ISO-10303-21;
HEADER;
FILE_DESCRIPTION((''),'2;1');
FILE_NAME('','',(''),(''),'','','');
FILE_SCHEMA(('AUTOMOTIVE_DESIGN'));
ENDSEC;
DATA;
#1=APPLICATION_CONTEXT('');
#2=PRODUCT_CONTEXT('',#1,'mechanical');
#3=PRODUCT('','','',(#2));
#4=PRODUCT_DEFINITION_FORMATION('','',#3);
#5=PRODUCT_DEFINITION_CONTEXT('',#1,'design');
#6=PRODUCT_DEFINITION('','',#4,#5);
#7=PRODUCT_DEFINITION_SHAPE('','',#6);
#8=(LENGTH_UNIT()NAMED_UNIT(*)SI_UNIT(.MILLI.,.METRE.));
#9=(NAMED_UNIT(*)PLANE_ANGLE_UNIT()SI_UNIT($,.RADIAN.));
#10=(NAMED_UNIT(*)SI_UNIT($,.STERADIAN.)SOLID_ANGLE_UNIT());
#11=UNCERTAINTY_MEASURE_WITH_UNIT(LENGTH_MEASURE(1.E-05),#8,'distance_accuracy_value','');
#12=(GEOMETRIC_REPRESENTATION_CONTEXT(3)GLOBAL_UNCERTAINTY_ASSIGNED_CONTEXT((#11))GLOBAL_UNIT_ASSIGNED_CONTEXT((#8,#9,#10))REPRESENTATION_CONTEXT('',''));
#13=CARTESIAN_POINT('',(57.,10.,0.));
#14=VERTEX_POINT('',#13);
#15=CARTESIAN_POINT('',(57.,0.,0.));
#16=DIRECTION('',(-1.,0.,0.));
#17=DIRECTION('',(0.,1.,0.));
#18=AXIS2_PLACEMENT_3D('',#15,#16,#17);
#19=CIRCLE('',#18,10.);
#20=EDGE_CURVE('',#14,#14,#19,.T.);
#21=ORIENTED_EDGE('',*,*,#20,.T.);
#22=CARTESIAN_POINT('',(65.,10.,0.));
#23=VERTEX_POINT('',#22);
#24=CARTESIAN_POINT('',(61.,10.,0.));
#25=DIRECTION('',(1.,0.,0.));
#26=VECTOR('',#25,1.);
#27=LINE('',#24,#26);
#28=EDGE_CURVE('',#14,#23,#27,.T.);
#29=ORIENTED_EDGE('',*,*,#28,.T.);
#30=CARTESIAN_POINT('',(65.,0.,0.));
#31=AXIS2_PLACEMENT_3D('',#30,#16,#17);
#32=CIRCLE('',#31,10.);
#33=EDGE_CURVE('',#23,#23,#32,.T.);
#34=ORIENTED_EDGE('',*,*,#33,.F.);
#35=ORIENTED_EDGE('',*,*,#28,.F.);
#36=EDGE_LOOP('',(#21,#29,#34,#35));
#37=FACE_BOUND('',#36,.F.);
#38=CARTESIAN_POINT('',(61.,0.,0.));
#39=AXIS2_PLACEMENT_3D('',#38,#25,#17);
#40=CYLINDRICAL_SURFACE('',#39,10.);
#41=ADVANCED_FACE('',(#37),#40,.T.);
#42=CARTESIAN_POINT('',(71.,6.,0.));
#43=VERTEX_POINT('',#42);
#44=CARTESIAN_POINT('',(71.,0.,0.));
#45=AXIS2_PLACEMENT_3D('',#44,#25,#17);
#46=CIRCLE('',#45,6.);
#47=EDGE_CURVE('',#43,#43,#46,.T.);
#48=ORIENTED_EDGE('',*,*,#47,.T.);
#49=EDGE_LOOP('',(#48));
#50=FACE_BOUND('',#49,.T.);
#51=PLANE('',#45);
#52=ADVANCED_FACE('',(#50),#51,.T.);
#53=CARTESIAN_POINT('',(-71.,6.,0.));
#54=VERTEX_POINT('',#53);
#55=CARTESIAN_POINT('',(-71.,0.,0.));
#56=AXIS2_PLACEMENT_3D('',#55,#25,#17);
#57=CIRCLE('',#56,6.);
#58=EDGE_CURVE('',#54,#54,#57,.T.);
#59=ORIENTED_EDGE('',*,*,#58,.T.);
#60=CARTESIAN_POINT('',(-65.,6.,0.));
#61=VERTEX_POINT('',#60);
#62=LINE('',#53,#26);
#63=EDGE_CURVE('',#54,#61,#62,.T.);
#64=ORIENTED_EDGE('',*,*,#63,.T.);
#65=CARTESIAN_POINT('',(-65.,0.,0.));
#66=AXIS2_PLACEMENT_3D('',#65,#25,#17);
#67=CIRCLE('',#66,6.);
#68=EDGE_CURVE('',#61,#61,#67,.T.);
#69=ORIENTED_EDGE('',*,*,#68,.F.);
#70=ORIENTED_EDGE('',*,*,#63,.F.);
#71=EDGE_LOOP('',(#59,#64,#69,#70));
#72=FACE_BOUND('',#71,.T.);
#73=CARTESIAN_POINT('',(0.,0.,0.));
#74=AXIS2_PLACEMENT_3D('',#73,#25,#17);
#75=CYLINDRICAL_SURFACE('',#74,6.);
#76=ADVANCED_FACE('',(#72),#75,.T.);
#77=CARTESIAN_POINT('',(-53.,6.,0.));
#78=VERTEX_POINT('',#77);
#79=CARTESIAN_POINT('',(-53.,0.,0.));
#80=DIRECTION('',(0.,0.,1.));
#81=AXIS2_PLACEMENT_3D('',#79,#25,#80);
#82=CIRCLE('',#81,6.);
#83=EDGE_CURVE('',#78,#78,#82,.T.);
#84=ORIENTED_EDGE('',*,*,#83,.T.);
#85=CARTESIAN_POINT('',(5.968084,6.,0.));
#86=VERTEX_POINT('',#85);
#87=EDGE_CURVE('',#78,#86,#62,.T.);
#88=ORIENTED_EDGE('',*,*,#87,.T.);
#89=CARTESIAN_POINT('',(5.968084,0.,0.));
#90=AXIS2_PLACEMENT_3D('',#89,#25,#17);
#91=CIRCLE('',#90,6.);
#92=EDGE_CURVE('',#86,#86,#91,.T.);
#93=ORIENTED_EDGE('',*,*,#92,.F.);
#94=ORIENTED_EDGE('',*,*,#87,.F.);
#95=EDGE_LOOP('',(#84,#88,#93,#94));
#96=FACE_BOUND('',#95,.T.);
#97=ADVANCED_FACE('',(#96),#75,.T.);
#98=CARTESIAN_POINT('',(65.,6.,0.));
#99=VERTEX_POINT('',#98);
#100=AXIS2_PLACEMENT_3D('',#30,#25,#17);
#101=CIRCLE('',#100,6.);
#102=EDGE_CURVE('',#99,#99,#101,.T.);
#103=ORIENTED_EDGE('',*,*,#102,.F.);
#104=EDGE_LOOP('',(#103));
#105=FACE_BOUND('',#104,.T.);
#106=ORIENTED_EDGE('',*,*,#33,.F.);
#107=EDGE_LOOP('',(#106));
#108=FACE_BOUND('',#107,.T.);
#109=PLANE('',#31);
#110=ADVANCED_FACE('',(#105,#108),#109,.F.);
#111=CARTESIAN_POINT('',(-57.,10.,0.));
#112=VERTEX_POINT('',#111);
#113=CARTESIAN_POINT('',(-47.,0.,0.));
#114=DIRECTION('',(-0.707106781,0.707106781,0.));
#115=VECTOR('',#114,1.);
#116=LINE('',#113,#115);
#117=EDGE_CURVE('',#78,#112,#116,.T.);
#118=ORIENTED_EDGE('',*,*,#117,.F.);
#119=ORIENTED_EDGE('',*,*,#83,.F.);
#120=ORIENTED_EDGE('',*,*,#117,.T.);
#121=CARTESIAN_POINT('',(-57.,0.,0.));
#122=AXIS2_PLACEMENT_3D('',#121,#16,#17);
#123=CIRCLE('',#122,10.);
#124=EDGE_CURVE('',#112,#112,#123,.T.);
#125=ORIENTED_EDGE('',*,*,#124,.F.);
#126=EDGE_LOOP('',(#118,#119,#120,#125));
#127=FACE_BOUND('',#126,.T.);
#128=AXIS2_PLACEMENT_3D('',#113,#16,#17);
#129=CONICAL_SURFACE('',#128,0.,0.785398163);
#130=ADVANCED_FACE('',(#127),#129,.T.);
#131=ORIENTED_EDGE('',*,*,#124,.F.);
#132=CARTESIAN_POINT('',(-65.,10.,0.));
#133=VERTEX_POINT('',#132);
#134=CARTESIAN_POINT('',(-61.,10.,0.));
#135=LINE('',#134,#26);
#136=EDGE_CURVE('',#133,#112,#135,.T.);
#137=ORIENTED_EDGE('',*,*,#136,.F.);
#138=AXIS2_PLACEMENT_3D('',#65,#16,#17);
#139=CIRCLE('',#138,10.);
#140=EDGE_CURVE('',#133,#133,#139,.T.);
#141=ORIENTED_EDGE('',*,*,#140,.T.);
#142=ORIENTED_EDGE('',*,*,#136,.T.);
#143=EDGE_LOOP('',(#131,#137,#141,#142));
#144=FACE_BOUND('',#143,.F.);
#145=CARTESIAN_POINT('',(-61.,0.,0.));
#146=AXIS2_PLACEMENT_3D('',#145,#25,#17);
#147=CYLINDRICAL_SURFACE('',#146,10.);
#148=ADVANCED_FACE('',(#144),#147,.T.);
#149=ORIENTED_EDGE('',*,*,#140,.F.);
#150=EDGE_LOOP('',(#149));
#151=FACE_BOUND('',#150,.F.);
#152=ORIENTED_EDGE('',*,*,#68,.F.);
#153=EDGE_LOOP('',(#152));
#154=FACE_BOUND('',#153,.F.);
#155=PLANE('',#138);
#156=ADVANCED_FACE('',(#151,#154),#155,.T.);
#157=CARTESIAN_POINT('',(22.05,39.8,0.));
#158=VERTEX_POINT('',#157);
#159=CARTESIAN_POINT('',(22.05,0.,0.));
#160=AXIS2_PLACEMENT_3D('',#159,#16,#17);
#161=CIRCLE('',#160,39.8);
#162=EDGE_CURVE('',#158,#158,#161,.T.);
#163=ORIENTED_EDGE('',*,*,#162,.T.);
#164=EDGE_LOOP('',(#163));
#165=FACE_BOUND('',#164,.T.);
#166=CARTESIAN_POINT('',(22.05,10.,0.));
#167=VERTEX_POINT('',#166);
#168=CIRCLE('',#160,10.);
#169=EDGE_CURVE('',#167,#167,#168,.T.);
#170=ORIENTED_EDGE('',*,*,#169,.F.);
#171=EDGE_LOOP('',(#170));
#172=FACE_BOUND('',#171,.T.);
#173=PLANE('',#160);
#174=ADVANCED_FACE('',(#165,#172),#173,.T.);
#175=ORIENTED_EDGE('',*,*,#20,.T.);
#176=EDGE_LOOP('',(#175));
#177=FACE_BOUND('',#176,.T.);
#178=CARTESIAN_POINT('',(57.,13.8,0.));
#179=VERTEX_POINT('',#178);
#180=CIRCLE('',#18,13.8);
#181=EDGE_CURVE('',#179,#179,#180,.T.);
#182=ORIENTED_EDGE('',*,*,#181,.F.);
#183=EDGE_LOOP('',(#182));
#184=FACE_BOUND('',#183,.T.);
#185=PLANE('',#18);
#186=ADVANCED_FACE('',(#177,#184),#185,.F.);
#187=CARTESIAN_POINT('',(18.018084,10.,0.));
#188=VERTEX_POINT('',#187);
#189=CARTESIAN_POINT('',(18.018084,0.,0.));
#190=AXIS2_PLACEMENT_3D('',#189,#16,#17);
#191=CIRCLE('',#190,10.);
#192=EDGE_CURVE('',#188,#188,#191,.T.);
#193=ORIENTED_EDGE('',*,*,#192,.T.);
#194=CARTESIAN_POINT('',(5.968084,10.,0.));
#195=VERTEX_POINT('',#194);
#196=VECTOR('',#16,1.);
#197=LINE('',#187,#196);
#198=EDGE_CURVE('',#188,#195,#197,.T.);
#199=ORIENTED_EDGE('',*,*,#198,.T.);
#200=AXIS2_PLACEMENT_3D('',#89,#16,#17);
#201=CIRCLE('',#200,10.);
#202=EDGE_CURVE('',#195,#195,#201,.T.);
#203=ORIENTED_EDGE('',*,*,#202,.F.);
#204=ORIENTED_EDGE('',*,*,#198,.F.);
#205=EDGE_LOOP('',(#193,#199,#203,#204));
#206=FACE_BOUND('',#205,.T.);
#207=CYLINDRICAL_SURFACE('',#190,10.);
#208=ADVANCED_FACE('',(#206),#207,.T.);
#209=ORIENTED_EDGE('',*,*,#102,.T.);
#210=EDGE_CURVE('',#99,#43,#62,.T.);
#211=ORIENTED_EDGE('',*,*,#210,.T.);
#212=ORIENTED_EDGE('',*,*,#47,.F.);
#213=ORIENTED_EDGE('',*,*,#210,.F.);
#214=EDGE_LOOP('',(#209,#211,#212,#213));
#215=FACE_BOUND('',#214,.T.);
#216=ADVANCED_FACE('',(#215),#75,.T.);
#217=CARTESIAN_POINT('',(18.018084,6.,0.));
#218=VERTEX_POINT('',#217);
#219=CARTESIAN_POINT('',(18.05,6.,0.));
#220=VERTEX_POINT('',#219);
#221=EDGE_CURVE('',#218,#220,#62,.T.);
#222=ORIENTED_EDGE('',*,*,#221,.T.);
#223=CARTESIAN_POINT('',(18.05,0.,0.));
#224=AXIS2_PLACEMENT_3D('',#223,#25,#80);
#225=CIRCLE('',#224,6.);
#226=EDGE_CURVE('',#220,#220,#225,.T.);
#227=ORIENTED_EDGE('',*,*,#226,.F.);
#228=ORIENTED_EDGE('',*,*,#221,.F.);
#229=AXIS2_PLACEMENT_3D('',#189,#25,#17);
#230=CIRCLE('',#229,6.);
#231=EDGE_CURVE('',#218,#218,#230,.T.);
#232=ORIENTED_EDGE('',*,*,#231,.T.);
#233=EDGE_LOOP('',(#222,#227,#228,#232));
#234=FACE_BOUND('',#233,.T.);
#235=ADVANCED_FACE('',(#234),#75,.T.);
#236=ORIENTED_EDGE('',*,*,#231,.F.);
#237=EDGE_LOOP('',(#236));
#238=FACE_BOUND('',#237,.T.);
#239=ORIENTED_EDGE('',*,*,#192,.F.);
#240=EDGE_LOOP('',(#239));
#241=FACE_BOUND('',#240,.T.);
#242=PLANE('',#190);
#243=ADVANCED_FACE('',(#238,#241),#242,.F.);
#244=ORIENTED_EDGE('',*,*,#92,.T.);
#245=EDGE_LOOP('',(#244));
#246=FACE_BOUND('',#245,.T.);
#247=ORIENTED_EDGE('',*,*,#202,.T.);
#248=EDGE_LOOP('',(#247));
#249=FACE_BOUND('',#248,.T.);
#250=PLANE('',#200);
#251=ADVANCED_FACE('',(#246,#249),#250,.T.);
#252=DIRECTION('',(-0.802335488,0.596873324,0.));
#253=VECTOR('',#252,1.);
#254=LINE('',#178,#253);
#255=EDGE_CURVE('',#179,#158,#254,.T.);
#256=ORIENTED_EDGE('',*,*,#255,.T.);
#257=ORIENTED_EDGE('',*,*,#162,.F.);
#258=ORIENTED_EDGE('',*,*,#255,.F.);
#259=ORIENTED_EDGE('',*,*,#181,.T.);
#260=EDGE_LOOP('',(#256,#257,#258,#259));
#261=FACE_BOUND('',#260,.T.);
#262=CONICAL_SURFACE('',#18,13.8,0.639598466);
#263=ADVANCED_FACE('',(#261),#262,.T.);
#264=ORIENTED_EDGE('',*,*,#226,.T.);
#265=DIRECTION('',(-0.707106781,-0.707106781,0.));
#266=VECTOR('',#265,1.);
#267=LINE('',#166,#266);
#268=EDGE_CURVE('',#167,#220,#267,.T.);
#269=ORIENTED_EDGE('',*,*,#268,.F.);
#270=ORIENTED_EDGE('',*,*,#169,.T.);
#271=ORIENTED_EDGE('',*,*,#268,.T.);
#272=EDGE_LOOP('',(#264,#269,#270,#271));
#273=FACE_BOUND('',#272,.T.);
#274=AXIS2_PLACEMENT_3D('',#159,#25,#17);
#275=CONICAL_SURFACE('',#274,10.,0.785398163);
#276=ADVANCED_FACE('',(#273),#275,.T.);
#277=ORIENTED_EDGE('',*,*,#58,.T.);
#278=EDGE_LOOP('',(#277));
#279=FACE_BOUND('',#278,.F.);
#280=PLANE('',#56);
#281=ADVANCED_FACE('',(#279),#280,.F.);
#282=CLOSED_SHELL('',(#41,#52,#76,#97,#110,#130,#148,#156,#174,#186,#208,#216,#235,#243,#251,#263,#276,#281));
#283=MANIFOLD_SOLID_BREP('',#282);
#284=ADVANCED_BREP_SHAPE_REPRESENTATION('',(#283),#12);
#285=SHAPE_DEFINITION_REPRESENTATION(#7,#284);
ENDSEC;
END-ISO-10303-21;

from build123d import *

# Parameters (mm, degrees)
F0_R     = 6
F1_DEPTH = 71
F2_W     = 8
F2_H     = 10


with BuildPart() as f1:
    # F0 (on Right) → F1 (new body, symmetric)
    with BuildSketch(Plane.YZ):
        Circle(F0_R)
    extrude(amount=F1_DEPTH, both=True)

    # F2 (on Top) → F3 (revolve)
    with BuildSketch(Plane.XY):
        Polygon((5.968084, 10), (5.968084, 0), (12.05, 0), (18.018084, 5.968084), (18.018084, 10), align=None)
        Polygon((-57, 0), (-47, 0), (-57, 10), align=None)
        Polygon((18.018084, 5.968084), (12.05, 0), (18.018084, 0), align=None)
        with Locations((-61, 5)):
            Rectangle(F2_W, F2_H)
        Polygon((18.018084, 5.968084), (18.018084, 0), (22.05, 0), (22.05, 10), align=None)
        Polygon((22.05, 10), (22.05, 0), (57, 0), (57, 10), (57, 13.8), (22.05, 39.8), align=None)
        with Locations((61, 5)):
            Rectangle(F2_W, F2_H)
    revolve(axis=Axis((-32.5, 0, 0), (-1, 0, 0)))


solid = f1.part
